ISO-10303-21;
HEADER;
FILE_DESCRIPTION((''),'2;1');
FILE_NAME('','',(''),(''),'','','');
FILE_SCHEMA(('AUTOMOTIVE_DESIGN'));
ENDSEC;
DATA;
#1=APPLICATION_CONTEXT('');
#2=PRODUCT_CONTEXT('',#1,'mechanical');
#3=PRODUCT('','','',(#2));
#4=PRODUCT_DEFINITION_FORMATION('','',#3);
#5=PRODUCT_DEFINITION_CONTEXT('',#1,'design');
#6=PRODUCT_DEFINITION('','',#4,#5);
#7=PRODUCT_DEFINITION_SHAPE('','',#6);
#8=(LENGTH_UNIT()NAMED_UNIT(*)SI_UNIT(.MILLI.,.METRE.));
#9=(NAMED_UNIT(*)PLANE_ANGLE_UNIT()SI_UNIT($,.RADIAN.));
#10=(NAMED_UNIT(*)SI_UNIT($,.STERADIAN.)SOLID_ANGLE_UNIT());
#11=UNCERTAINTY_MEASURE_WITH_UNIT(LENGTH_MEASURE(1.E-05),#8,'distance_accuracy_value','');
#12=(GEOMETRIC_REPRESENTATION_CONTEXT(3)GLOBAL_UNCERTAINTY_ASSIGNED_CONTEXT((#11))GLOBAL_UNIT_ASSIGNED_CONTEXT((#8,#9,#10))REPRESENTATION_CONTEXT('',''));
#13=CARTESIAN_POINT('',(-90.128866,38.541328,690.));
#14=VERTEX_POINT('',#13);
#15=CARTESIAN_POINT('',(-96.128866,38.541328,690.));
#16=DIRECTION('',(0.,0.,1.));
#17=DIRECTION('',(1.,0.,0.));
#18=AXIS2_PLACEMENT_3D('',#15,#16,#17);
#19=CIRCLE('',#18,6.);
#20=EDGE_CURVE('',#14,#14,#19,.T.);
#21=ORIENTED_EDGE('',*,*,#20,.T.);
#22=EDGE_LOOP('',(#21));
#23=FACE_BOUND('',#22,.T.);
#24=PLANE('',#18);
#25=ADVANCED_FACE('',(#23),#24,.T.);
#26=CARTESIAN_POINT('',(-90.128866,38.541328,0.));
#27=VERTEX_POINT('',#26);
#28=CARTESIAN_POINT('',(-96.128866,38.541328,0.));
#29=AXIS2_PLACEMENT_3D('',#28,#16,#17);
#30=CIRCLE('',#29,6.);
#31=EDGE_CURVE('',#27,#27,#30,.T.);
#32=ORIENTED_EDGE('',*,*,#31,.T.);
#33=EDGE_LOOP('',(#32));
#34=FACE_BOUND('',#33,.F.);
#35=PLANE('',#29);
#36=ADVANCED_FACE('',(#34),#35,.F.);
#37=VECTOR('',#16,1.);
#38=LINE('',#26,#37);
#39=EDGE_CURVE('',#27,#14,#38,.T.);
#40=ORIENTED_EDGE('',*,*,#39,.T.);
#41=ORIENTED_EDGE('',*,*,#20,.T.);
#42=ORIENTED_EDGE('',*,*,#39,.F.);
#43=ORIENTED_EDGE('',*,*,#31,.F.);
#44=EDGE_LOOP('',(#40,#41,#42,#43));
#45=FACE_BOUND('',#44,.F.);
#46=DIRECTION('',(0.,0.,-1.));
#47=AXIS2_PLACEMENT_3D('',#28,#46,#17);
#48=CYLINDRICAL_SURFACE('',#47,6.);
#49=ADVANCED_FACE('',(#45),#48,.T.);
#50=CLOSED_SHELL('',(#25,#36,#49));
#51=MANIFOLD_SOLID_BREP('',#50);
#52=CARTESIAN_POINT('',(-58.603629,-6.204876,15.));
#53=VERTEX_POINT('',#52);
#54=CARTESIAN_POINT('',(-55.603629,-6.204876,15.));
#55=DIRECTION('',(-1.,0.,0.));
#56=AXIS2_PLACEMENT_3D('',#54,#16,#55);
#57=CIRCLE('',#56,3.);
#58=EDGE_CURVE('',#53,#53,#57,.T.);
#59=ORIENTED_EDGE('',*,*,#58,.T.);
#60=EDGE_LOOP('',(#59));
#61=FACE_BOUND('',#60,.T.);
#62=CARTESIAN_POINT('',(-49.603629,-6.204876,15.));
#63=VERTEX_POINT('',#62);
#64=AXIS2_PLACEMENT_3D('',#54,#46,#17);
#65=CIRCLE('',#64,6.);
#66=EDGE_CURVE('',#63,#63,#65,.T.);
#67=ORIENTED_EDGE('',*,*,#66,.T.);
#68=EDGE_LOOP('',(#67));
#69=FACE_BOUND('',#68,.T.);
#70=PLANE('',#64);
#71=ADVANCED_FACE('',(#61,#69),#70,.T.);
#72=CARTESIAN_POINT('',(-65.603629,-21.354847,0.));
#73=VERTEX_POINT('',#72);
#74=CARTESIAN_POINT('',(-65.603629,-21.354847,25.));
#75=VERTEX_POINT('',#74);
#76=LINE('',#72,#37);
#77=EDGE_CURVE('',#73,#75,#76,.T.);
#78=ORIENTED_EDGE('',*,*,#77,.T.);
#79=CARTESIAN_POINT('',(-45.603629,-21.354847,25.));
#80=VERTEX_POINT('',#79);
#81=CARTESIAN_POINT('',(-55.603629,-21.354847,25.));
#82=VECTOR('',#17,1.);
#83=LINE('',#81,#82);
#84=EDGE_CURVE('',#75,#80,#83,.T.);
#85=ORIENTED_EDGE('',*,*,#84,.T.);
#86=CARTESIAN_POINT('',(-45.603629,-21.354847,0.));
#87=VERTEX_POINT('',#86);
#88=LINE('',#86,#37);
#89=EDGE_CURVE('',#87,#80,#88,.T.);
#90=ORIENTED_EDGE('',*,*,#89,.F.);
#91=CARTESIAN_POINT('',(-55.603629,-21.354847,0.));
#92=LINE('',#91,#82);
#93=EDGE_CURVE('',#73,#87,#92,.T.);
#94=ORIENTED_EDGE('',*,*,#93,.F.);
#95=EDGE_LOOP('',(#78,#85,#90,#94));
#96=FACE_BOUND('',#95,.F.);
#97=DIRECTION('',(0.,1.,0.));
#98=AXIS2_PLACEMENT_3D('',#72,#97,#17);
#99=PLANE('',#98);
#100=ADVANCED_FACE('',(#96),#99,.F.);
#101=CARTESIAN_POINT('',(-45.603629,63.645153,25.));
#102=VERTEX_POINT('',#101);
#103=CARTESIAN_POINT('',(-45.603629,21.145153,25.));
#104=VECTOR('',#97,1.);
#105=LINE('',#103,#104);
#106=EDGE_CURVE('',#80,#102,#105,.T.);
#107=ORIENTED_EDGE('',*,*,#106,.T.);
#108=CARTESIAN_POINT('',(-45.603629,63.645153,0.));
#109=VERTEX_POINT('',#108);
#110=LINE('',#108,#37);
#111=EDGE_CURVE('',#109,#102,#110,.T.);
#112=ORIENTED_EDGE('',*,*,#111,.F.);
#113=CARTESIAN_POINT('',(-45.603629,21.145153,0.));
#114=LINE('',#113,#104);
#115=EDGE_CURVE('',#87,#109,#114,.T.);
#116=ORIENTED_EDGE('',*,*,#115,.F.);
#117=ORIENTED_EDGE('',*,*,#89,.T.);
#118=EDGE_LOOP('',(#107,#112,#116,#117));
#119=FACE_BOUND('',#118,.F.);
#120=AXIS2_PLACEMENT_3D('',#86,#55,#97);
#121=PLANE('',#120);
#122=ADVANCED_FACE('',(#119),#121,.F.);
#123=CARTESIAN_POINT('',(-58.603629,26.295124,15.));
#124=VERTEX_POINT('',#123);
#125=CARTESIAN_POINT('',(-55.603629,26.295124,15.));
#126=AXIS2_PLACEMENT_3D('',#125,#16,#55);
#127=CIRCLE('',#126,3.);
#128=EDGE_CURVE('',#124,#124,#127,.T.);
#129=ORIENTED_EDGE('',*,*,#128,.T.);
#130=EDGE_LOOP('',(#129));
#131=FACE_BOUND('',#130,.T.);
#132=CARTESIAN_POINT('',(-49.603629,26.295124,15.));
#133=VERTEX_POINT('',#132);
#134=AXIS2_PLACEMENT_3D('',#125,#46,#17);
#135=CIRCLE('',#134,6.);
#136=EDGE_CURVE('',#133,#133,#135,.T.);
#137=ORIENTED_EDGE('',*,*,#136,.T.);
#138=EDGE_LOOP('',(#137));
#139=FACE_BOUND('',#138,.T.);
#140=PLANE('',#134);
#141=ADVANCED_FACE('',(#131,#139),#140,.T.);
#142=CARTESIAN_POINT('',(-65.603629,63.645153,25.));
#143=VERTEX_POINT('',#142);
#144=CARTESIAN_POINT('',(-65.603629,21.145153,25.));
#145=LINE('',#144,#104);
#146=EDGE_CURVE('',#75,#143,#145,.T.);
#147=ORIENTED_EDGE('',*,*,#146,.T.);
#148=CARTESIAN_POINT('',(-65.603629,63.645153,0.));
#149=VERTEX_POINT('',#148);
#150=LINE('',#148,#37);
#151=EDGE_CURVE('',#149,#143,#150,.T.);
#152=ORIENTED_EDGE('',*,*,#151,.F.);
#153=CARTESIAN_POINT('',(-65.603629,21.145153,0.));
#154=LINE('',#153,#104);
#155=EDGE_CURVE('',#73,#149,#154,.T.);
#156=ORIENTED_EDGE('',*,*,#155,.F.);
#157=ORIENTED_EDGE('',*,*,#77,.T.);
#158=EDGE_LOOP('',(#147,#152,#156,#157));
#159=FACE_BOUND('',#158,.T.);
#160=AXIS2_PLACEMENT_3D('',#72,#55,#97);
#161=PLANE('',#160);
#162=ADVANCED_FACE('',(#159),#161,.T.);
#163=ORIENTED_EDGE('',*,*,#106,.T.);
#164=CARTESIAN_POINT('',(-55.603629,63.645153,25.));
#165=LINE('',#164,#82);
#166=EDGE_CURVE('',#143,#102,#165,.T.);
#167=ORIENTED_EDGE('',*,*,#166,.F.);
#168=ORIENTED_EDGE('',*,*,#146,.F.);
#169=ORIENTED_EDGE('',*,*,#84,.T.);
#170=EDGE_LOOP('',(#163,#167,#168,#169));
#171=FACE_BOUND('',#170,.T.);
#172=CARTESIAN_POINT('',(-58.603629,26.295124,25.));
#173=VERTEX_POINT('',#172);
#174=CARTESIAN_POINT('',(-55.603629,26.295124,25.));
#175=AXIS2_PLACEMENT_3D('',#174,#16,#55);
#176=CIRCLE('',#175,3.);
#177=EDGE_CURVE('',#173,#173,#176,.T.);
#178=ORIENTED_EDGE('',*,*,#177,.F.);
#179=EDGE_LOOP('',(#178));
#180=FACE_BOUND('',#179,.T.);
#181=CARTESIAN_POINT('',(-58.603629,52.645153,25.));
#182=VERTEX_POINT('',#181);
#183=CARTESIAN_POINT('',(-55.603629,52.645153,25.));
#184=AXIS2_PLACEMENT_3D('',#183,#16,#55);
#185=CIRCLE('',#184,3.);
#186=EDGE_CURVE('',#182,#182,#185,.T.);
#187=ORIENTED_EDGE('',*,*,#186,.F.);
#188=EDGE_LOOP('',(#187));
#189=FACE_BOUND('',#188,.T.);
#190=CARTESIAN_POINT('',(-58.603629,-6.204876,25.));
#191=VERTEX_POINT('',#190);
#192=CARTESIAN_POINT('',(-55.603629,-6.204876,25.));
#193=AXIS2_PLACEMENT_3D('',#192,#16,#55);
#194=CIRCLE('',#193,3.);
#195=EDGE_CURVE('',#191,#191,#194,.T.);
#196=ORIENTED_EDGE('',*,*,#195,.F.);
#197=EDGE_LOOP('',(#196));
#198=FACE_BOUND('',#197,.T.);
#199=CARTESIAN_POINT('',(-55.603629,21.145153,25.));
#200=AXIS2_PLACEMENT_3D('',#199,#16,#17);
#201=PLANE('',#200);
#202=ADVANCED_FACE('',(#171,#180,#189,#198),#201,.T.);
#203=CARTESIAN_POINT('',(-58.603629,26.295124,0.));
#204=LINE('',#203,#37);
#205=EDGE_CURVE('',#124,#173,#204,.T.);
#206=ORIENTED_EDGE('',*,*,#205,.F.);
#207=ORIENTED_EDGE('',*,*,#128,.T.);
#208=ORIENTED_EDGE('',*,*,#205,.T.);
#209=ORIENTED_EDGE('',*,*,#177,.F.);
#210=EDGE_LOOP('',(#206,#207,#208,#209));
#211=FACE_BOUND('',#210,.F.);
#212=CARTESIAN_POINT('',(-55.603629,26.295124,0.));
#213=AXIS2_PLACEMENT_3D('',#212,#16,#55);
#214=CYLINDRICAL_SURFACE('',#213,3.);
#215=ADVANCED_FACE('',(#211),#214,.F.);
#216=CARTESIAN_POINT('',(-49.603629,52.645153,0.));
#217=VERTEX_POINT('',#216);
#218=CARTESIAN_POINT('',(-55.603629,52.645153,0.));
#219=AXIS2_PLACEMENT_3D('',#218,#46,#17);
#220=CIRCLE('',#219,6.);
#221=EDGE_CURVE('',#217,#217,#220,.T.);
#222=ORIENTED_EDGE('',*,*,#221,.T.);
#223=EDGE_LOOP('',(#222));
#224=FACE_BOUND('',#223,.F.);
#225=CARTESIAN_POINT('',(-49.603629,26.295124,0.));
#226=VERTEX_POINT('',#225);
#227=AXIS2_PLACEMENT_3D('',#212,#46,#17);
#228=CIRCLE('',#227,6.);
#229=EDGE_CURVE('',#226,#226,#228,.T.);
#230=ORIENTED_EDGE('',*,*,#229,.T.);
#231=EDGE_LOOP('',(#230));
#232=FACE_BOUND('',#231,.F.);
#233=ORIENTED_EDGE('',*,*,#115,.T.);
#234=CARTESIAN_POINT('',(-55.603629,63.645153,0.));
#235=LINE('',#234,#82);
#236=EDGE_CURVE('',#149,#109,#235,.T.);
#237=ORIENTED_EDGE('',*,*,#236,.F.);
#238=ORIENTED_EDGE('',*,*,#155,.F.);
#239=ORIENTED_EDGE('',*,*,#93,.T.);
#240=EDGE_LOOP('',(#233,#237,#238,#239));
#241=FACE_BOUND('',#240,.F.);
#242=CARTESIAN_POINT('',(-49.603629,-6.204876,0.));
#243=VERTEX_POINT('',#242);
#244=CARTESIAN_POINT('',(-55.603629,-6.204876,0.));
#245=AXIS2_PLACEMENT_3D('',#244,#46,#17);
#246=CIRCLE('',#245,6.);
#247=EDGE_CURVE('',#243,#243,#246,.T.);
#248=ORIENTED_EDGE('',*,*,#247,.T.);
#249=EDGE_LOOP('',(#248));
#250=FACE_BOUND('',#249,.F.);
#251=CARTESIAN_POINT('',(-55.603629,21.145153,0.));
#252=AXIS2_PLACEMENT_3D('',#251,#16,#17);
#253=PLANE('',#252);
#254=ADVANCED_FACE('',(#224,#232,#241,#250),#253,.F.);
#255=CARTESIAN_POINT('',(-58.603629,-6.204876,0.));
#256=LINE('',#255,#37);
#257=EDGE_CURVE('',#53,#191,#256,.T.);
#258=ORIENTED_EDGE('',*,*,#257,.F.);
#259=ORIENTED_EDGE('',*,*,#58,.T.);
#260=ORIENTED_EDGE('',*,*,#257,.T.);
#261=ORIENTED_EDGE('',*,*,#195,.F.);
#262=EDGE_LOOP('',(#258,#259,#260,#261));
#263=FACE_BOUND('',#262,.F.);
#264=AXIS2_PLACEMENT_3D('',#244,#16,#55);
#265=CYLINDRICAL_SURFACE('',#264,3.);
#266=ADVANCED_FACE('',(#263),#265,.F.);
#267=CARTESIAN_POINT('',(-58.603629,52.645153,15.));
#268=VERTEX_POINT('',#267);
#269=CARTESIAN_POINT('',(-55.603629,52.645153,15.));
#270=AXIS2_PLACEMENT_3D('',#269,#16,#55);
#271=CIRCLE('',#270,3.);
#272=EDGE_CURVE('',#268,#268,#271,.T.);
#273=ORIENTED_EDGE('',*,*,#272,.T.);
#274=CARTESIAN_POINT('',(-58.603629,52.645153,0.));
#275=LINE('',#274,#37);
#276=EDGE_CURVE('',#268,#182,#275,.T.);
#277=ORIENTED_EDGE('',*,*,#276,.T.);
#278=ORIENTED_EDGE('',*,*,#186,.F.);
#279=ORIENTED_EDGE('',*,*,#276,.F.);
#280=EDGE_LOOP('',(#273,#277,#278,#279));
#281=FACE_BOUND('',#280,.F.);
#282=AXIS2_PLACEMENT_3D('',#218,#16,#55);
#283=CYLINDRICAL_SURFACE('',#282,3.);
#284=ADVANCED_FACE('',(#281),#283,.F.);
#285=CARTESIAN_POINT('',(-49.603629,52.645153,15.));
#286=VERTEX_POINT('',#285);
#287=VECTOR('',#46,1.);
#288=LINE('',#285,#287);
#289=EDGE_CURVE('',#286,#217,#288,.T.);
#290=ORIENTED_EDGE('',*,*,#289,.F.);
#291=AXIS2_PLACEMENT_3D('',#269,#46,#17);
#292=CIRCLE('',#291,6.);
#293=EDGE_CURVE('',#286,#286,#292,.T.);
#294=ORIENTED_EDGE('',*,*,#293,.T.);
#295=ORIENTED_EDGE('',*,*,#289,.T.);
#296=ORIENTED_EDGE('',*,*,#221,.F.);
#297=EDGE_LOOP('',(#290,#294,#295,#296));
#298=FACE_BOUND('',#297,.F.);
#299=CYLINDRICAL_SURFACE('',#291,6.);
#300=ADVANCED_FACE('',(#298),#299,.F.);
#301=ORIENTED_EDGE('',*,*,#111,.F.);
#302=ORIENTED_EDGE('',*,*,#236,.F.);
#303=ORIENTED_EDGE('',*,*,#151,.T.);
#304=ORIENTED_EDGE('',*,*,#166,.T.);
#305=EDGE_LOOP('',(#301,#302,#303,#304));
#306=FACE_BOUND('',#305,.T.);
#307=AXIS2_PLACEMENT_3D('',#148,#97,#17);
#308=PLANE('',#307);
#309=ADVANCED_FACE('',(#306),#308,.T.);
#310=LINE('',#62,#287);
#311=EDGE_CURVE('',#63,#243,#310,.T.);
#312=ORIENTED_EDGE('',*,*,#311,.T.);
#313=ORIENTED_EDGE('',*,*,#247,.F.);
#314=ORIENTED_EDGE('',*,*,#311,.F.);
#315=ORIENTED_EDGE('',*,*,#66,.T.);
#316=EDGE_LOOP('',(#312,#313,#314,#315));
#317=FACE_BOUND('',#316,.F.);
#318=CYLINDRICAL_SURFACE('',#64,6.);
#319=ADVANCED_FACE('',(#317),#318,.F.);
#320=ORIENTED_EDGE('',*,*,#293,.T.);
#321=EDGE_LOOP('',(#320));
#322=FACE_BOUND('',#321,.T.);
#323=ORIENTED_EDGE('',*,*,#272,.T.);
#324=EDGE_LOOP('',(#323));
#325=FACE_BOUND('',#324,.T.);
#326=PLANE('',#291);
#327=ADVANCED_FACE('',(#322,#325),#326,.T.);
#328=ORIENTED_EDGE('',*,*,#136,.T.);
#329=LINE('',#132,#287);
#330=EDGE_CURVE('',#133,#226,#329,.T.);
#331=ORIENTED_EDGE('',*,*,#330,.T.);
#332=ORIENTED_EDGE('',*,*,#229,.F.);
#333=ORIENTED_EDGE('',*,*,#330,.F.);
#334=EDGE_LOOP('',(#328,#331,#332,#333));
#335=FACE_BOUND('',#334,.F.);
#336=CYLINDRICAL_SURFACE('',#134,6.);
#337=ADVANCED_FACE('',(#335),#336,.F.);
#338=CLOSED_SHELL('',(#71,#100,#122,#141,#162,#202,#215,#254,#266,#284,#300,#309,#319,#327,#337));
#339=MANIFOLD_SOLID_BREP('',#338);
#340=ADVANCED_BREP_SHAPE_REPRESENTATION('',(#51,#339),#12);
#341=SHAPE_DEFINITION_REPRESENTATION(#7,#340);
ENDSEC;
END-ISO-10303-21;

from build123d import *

# Parameters (mm, degrees)
F0_R           = 6
F1_DEPTH       = 690
F2_W           = 20
F2_H           = 85
F2_R           = 2.5
F2_R_2         = 6
F3_DEPTH       = 25
F4_D           = 6
F4_CBORE_D     = 12
F4_CBORE_DEPTH = 15


with BuildPart() as f1:
    # F0 (on Top) → F1 (new body)
    with BuildSketch(Plane.XY):
        with Locations((-96.1288660765, 38.541328162)):
            Circle(F0_R)
    extrude(amount=F1_DEPTH)


with BuildPart() as f3:
    # F2 (on Top) → F3 (new body)
    with BuildSketch(Plane.XY):
        with Locations((-55.6036287546, 21.1451533437)):
            Rectangle(F2_W, F2_H)
        with Locations((-55.6036287546, -6.2048761174)):
            Circle(F2_R, mode=Mode.SUBTRACT)
        with Locations((-55.6036287546, 26.2951238826)):
            Circle(F2_R, mode=Mode.SUBTRACT)
        with Locations((-55.6036287546, 52.6451533437)):
            Circle(F2_R_2, mode=Mode.SUBTRACT)
        with Locations((-55.6036287546, -6.2048761174)):
            Circle(F2_R)
        with Locations((-55.6036287546, 26.2951238826)):
            Circle(F2_R)
        with Locations((-55.6036287546, 52.6451533437)):
            Circle(F2_R_2)
    extrude(amount=F3_DEPTH)

    # F4 (through all)
    with Locations(Plane(origin=(0, 0, 0), x_dir=(1, 0, 0), z_dir=(0, 0, -1))):
        with Locations((-55.6036287546, -26.2951238826), (-55.6036287546, 6.2048761174), (-55.6036287546, -52.6451533437)):
            CounterBoreHole(F4_D / 2, F4_CBORE_D / 2, F4_CBORE_DEPTH)


solid = Compound([f1.part, f3.part])
